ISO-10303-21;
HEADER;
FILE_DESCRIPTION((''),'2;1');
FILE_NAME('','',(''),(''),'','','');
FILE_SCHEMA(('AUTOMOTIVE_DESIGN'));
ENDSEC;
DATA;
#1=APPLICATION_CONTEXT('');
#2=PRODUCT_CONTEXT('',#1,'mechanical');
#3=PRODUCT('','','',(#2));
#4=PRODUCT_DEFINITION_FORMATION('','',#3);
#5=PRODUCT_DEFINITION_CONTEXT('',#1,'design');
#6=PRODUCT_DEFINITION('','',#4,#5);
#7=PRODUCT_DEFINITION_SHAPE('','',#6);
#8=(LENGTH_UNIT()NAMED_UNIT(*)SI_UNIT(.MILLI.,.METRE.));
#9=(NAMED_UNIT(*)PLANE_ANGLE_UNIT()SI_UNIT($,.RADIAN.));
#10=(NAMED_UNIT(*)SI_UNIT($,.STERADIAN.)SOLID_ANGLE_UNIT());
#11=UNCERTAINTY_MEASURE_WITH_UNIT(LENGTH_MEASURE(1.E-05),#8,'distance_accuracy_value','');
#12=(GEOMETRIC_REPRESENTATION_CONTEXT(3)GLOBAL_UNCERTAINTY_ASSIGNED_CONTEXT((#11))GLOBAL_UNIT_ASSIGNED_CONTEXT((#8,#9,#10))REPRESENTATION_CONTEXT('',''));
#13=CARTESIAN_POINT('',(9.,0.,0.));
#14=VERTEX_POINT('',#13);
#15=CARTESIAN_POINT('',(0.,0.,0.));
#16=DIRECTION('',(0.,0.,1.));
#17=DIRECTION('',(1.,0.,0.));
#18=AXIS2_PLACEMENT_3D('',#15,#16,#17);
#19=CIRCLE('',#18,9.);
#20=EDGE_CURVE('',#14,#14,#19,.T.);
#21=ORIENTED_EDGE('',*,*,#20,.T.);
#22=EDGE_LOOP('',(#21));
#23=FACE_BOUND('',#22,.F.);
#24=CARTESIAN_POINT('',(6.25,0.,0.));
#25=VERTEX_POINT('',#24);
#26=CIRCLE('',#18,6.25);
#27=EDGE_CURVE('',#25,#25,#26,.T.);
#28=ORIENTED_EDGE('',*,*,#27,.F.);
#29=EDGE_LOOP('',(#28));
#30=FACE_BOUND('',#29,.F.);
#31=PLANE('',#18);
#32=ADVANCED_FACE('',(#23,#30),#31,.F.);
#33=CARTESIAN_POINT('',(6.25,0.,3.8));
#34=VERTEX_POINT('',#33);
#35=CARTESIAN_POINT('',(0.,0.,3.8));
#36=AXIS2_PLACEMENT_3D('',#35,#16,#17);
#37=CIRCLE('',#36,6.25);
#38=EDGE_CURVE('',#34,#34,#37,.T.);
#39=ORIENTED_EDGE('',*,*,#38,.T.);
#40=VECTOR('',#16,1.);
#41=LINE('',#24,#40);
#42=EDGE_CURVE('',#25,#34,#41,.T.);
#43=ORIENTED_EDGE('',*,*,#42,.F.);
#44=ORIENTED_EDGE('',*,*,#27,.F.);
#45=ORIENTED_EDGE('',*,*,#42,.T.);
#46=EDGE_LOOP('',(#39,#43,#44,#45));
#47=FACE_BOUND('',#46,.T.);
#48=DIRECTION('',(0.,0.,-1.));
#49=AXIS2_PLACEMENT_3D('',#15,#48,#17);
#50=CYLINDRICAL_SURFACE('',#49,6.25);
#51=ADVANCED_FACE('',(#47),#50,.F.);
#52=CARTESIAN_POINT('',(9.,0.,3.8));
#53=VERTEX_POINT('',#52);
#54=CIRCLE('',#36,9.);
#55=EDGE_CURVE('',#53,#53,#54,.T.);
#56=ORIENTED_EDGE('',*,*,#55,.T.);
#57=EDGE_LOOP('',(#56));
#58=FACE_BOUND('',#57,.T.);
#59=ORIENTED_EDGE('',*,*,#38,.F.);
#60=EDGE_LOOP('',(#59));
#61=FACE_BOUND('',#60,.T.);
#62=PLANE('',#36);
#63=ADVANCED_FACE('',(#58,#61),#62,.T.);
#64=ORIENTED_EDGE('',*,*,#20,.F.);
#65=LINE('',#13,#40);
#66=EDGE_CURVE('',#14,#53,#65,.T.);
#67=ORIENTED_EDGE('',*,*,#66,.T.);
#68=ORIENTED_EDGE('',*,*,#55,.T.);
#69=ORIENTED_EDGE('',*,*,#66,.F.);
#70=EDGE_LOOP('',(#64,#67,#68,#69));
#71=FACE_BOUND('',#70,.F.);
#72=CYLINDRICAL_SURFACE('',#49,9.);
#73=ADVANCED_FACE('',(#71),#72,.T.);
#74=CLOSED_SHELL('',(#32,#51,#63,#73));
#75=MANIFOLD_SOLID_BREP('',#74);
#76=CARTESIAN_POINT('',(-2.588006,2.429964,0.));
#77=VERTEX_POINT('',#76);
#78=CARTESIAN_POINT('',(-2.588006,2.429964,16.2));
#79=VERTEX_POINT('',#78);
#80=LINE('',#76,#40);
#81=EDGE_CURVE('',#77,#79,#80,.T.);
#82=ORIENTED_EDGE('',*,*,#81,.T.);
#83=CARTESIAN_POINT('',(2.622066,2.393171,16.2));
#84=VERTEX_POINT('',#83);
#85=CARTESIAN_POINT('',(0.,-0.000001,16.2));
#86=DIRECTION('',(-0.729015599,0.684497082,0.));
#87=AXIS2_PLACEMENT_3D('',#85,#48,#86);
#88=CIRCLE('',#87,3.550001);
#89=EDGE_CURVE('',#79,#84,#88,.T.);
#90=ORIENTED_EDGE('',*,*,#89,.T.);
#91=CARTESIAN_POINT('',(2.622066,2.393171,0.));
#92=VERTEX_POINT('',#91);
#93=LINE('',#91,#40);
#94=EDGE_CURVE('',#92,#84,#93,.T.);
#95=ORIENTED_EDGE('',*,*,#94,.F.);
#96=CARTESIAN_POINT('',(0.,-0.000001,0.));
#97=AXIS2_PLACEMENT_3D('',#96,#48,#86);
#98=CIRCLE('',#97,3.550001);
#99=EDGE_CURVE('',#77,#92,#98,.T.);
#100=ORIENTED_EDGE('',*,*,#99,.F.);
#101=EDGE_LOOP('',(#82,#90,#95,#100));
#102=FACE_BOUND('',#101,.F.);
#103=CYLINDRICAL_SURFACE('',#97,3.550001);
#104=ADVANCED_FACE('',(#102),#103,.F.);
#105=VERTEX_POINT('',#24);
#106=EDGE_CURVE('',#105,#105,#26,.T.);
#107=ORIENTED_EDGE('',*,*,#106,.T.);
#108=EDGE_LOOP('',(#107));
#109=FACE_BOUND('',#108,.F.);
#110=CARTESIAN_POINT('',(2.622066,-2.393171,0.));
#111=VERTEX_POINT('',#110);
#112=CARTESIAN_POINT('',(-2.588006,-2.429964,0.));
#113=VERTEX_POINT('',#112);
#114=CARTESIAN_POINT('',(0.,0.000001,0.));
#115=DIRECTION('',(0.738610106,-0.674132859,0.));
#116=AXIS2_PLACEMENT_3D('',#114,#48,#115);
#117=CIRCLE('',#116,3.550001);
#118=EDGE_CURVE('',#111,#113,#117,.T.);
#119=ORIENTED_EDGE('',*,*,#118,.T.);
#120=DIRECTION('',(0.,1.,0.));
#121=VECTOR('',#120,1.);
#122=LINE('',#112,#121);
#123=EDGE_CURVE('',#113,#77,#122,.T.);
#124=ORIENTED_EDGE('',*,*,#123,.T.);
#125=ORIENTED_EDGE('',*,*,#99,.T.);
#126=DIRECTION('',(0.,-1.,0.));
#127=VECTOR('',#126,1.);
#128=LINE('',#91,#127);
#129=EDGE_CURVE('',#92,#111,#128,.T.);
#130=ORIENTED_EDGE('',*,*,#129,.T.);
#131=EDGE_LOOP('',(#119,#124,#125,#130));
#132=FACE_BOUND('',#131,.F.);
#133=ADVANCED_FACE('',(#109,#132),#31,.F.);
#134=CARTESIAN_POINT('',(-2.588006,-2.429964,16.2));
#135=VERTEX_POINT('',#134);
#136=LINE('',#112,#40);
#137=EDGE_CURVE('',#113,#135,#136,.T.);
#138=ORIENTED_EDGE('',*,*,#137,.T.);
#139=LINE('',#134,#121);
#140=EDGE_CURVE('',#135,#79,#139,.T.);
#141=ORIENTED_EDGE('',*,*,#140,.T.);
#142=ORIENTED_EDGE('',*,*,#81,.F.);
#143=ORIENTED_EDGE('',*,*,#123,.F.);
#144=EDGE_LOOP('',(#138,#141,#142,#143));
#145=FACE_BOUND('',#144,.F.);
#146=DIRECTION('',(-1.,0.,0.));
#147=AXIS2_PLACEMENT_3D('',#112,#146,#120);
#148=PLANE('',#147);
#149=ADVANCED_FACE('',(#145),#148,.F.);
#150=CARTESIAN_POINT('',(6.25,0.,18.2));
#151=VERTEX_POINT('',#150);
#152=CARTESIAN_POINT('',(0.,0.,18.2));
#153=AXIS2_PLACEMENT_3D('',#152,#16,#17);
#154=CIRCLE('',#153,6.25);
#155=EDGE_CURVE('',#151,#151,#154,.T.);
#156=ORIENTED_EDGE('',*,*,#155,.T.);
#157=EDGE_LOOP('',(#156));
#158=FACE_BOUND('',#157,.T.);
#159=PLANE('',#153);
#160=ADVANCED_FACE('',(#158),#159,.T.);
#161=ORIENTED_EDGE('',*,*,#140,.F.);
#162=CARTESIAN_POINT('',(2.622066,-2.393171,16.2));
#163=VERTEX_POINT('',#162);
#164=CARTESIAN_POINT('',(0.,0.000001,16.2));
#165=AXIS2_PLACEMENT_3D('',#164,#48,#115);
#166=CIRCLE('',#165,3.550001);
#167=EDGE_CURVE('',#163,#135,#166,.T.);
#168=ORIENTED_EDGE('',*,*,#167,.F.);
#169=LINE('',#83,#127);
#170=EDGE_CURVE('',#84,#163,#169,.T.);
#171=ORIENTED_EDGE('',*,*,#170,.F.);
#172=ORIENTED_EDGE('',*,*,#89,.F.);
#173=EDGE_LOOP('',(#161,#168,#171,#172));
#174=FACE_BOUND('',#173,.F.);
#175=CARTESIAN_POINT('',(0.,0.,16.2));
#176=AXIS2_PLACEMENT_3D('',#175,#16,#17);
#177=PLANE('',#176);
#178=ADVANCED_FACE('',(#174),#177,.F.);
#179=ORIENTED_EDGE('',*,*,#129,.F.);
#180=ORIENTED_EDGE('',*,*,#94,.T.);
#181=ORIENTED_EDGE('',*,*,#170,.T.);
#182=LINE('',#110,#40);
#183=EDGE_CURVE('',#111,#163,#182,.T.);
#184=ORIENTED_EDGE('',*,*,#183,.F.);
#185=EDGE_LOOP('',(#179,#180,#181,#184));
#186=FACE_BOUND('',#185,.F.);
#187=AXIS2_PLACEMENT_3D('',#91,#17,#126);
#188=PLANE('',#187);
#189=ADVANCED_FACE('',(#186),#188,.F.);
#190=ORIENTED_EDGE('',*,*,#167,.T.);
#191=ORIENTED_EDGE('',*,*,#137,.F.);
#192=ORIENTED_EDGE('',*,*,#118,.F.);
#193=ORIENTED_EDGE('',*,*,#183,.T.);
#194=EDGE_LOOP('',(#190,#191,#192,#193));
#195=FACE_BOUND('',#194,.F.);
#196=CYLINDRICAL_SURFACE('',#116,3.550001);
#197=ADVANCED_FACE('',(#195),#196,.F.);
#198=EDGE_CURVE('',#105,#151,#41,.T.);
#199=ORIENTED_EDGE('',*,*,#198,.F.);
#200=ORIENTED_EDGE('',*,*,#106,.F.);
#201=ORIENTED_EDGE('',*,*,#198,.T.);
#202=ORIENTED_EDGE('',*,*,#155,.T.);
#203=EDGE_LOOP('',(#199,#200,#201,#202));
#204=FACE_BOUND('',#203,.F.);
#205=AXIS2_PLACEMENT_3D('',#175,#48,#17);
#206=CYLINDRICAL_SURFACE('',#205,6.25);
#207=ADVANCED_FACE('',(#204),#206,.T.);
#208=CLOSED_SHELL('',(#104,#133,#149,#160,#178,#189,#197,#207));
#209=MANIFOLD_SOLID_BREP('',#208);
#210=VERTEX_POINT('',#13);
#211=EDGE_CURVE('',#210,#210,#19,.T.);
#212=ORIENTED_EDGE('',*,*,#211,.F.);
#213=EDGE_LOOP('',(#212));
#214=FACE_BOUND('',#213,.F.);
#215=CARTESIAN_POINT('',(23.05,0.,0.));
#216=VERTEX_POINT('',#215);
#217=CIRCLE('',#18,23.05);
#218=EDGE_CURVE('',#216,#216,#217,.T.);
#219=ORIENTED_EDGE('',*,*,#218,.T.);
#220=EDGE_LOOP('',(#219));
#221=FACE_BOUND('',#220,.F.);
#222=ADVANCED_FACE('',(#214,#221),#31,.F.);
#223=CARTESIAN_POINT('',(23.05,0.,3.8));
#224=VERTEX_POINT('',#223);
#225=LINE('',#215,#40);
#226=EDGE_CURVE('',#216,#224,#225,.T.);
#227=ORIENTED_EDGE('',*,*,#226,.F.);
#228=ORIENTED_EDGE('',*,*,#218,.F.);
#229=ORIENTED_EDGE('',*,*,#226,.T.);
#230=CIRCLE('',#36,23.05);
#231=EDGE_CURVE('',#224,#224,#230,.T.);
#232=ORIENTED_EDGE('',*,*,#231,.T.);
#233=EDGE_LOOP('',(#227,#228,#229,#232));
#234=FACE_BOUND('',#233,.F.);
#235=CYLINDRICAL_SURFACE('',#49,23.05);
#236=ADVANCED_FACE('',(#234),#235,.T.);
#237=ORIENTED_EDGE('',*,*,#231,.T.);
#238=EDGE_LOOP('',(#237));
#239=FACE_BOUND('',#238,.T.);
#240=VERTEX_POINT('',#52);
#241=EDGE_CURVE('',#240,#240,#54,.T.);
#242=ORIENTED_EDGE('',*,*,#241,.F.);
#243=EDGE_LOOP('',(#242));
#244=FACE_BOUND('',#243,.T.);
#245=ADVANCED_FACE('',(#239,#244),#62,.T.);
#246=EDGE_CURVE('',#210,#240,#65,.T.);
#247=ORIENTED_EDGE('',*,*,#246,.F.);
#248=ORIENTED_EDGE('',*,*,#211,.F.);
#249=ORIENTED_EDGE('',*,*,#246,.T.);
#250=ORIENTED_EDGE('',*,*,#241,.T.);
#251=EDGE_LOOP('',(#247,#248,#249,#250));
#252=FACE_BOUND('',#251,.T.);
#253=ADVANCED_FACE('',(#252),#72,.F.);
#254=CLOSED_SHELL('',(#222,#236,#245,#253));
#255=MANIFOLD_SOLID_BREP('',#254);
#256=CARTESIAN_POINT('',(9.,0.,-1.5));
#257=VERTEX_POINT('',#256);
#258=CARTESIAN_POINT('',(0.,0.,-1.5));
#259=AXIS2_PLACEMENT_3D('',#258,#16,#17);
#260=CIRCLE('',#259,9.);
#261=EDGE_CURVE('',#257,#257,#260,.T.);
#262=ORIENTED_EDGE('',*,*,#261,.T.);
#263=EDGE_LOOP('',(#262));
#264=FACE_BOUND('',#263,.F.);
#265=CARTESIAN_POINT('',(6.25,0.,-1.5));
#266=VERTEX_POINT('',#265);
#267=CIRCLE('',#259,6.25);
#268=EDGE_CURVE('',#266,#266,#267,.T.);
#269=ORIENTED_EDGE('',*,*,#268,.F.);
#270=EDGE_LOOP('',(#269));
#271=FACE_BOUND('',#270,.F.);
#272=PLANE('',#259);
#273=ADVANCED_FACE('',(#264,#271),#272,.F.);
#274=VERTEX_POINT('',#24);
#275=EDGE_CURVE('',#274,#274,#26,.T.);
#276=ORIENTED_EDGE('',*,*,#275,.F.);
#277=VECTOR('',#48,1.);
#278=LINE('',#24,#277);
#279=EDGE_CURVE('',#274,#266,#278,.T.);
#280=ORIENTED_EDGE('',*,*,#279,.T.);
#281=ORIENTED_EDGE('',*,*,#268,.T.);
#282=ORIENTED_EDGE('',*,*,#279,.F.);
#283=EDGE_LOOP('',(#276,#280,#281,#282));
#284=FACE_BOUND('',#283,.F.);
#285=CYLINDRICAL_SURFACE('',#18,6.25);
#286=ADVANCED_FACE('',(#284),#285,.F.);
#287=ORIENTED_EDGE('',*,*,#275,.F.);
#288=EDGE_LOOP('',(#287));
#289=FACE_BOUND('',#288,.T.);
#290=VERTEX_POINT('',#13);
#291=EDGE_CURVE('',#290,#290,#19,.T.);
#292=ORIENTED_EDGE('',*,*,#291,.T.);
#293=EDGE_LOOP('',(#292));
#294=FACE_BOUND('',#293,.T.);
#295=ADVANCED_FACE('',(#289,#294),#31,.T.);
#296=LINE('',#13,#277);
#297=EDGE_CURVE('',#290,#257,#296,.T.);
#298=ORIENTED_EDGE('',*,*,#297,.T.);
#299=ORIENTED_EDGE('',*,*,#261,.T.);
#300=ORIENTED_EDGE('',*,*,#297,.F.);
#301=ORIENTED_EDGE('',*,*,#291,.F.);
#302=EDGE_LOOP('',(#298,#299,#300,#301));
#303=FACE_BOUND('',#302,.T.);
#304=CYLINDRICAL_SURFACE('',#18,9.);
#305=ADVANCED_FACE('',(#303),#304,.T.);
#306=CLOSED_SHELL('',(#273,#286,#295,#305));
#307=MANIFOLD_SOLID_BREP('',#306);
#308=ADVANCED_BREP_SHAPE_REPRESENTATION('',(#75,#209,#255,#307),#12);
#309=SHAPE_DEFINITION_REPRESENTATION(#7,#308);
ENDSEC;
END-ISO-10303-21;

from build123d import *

# Parameters (mm, degrees)
F0_R     = 6.25
F1_DEPTH = 16.2
F0_R_2   = 23.05
F0_R_3   = 9
F2_DEPTH = 3.8
F3_DEPTH = 1.5
F4_DEPTH = 3.8
F5_R     = 6.25
F6_DEPTH = 2


with BuildPart() as f1:
    # F0 (on Top) → F1 (new body)
    with BuildSketch(Plane.XY):
        Circle(F0_R)
        with BuildLine():
            ThreePointArc((2.622066, -2.393171), (0.025069, -3.549911), (-2.588006, -2.429964))
            Line((-2.588006, -2.429964), (-2.588006, 2.429964))
            ThreePointArc((-2.588006, 2.429964), (0.025069, 3.549911), (2.622066, 2.393171))
            Line((2.622066, 2.393171), (2.622066, -2.393171))
        make_face(mode=Mode.SUBTRACT)
    extrude(amount=F1_DEPTH)

    # F5 (on face) → F6 (join)
    with BuildSketch(Plane.XY.offset(16.2)):
        Circle(F5_R)
        with BuildLine():
            ThreePointArc((-2.588006, 2.429964), (0.025069, 3.549911), (2.622066, 2.393171))
            Line((2.622066, 2.393171), (2.622066, -2.393171))
            ThreePointArc((2.622066, -2.393171), (0.025069, -3.549911), (-2.588006, -2.429964))
            Line((-2.588006, -2.429964), (-2.588006, 2.429964))
        make_face(mode=Mode.SUBTRACT)
        with BuildLine():
            Line((2.622066, -2.393171), (2.622066, 2.393171))
            ThreePointArc((2.622066, 2.393171), (0.025069, 3.549911), (-2.588006, 2.429964))
            Line((-2.588006, 2.429964), (-2.588006, -2.429964))
            ThreePointArc((-2.588006, -2.429964), (0.025069, -3.549911), (2.622066, -2.393171))
        make_face()
    extrude(amount=F6_DEPTH)


with BuildPart() as f2:
    # F0 (on Top) → F2 (new body)
    with BuildSketch(Plane.XY):
        Circle(F0_R_2)
        Circle(F0_R_3, mode=Mode.SUBTRACT)
    extrude(amount=F2_DEPTH)


with BuildPart() as f3:
    # F0 (on Top) → F3 (new body)
    with BuildSketch(Plane.XY):
        Circle(F0_R_3)
        Circle(F0_R, mode=Mode.SUBTRACT)
    extrude(amount=-F3_DEPTH)


with BuildPart() as f4:
    # F0 (on Top) → F4 (new body)
    with BuildSketch(Plane.XY):
        Circle(F0_R_3)
        Circle(F0_R, mode=Mode.SUBTRACT)
    extrude(amount=F4_DEPTH)


solid = Compound([f1.part, f2.part, f3.part, f4.part])
